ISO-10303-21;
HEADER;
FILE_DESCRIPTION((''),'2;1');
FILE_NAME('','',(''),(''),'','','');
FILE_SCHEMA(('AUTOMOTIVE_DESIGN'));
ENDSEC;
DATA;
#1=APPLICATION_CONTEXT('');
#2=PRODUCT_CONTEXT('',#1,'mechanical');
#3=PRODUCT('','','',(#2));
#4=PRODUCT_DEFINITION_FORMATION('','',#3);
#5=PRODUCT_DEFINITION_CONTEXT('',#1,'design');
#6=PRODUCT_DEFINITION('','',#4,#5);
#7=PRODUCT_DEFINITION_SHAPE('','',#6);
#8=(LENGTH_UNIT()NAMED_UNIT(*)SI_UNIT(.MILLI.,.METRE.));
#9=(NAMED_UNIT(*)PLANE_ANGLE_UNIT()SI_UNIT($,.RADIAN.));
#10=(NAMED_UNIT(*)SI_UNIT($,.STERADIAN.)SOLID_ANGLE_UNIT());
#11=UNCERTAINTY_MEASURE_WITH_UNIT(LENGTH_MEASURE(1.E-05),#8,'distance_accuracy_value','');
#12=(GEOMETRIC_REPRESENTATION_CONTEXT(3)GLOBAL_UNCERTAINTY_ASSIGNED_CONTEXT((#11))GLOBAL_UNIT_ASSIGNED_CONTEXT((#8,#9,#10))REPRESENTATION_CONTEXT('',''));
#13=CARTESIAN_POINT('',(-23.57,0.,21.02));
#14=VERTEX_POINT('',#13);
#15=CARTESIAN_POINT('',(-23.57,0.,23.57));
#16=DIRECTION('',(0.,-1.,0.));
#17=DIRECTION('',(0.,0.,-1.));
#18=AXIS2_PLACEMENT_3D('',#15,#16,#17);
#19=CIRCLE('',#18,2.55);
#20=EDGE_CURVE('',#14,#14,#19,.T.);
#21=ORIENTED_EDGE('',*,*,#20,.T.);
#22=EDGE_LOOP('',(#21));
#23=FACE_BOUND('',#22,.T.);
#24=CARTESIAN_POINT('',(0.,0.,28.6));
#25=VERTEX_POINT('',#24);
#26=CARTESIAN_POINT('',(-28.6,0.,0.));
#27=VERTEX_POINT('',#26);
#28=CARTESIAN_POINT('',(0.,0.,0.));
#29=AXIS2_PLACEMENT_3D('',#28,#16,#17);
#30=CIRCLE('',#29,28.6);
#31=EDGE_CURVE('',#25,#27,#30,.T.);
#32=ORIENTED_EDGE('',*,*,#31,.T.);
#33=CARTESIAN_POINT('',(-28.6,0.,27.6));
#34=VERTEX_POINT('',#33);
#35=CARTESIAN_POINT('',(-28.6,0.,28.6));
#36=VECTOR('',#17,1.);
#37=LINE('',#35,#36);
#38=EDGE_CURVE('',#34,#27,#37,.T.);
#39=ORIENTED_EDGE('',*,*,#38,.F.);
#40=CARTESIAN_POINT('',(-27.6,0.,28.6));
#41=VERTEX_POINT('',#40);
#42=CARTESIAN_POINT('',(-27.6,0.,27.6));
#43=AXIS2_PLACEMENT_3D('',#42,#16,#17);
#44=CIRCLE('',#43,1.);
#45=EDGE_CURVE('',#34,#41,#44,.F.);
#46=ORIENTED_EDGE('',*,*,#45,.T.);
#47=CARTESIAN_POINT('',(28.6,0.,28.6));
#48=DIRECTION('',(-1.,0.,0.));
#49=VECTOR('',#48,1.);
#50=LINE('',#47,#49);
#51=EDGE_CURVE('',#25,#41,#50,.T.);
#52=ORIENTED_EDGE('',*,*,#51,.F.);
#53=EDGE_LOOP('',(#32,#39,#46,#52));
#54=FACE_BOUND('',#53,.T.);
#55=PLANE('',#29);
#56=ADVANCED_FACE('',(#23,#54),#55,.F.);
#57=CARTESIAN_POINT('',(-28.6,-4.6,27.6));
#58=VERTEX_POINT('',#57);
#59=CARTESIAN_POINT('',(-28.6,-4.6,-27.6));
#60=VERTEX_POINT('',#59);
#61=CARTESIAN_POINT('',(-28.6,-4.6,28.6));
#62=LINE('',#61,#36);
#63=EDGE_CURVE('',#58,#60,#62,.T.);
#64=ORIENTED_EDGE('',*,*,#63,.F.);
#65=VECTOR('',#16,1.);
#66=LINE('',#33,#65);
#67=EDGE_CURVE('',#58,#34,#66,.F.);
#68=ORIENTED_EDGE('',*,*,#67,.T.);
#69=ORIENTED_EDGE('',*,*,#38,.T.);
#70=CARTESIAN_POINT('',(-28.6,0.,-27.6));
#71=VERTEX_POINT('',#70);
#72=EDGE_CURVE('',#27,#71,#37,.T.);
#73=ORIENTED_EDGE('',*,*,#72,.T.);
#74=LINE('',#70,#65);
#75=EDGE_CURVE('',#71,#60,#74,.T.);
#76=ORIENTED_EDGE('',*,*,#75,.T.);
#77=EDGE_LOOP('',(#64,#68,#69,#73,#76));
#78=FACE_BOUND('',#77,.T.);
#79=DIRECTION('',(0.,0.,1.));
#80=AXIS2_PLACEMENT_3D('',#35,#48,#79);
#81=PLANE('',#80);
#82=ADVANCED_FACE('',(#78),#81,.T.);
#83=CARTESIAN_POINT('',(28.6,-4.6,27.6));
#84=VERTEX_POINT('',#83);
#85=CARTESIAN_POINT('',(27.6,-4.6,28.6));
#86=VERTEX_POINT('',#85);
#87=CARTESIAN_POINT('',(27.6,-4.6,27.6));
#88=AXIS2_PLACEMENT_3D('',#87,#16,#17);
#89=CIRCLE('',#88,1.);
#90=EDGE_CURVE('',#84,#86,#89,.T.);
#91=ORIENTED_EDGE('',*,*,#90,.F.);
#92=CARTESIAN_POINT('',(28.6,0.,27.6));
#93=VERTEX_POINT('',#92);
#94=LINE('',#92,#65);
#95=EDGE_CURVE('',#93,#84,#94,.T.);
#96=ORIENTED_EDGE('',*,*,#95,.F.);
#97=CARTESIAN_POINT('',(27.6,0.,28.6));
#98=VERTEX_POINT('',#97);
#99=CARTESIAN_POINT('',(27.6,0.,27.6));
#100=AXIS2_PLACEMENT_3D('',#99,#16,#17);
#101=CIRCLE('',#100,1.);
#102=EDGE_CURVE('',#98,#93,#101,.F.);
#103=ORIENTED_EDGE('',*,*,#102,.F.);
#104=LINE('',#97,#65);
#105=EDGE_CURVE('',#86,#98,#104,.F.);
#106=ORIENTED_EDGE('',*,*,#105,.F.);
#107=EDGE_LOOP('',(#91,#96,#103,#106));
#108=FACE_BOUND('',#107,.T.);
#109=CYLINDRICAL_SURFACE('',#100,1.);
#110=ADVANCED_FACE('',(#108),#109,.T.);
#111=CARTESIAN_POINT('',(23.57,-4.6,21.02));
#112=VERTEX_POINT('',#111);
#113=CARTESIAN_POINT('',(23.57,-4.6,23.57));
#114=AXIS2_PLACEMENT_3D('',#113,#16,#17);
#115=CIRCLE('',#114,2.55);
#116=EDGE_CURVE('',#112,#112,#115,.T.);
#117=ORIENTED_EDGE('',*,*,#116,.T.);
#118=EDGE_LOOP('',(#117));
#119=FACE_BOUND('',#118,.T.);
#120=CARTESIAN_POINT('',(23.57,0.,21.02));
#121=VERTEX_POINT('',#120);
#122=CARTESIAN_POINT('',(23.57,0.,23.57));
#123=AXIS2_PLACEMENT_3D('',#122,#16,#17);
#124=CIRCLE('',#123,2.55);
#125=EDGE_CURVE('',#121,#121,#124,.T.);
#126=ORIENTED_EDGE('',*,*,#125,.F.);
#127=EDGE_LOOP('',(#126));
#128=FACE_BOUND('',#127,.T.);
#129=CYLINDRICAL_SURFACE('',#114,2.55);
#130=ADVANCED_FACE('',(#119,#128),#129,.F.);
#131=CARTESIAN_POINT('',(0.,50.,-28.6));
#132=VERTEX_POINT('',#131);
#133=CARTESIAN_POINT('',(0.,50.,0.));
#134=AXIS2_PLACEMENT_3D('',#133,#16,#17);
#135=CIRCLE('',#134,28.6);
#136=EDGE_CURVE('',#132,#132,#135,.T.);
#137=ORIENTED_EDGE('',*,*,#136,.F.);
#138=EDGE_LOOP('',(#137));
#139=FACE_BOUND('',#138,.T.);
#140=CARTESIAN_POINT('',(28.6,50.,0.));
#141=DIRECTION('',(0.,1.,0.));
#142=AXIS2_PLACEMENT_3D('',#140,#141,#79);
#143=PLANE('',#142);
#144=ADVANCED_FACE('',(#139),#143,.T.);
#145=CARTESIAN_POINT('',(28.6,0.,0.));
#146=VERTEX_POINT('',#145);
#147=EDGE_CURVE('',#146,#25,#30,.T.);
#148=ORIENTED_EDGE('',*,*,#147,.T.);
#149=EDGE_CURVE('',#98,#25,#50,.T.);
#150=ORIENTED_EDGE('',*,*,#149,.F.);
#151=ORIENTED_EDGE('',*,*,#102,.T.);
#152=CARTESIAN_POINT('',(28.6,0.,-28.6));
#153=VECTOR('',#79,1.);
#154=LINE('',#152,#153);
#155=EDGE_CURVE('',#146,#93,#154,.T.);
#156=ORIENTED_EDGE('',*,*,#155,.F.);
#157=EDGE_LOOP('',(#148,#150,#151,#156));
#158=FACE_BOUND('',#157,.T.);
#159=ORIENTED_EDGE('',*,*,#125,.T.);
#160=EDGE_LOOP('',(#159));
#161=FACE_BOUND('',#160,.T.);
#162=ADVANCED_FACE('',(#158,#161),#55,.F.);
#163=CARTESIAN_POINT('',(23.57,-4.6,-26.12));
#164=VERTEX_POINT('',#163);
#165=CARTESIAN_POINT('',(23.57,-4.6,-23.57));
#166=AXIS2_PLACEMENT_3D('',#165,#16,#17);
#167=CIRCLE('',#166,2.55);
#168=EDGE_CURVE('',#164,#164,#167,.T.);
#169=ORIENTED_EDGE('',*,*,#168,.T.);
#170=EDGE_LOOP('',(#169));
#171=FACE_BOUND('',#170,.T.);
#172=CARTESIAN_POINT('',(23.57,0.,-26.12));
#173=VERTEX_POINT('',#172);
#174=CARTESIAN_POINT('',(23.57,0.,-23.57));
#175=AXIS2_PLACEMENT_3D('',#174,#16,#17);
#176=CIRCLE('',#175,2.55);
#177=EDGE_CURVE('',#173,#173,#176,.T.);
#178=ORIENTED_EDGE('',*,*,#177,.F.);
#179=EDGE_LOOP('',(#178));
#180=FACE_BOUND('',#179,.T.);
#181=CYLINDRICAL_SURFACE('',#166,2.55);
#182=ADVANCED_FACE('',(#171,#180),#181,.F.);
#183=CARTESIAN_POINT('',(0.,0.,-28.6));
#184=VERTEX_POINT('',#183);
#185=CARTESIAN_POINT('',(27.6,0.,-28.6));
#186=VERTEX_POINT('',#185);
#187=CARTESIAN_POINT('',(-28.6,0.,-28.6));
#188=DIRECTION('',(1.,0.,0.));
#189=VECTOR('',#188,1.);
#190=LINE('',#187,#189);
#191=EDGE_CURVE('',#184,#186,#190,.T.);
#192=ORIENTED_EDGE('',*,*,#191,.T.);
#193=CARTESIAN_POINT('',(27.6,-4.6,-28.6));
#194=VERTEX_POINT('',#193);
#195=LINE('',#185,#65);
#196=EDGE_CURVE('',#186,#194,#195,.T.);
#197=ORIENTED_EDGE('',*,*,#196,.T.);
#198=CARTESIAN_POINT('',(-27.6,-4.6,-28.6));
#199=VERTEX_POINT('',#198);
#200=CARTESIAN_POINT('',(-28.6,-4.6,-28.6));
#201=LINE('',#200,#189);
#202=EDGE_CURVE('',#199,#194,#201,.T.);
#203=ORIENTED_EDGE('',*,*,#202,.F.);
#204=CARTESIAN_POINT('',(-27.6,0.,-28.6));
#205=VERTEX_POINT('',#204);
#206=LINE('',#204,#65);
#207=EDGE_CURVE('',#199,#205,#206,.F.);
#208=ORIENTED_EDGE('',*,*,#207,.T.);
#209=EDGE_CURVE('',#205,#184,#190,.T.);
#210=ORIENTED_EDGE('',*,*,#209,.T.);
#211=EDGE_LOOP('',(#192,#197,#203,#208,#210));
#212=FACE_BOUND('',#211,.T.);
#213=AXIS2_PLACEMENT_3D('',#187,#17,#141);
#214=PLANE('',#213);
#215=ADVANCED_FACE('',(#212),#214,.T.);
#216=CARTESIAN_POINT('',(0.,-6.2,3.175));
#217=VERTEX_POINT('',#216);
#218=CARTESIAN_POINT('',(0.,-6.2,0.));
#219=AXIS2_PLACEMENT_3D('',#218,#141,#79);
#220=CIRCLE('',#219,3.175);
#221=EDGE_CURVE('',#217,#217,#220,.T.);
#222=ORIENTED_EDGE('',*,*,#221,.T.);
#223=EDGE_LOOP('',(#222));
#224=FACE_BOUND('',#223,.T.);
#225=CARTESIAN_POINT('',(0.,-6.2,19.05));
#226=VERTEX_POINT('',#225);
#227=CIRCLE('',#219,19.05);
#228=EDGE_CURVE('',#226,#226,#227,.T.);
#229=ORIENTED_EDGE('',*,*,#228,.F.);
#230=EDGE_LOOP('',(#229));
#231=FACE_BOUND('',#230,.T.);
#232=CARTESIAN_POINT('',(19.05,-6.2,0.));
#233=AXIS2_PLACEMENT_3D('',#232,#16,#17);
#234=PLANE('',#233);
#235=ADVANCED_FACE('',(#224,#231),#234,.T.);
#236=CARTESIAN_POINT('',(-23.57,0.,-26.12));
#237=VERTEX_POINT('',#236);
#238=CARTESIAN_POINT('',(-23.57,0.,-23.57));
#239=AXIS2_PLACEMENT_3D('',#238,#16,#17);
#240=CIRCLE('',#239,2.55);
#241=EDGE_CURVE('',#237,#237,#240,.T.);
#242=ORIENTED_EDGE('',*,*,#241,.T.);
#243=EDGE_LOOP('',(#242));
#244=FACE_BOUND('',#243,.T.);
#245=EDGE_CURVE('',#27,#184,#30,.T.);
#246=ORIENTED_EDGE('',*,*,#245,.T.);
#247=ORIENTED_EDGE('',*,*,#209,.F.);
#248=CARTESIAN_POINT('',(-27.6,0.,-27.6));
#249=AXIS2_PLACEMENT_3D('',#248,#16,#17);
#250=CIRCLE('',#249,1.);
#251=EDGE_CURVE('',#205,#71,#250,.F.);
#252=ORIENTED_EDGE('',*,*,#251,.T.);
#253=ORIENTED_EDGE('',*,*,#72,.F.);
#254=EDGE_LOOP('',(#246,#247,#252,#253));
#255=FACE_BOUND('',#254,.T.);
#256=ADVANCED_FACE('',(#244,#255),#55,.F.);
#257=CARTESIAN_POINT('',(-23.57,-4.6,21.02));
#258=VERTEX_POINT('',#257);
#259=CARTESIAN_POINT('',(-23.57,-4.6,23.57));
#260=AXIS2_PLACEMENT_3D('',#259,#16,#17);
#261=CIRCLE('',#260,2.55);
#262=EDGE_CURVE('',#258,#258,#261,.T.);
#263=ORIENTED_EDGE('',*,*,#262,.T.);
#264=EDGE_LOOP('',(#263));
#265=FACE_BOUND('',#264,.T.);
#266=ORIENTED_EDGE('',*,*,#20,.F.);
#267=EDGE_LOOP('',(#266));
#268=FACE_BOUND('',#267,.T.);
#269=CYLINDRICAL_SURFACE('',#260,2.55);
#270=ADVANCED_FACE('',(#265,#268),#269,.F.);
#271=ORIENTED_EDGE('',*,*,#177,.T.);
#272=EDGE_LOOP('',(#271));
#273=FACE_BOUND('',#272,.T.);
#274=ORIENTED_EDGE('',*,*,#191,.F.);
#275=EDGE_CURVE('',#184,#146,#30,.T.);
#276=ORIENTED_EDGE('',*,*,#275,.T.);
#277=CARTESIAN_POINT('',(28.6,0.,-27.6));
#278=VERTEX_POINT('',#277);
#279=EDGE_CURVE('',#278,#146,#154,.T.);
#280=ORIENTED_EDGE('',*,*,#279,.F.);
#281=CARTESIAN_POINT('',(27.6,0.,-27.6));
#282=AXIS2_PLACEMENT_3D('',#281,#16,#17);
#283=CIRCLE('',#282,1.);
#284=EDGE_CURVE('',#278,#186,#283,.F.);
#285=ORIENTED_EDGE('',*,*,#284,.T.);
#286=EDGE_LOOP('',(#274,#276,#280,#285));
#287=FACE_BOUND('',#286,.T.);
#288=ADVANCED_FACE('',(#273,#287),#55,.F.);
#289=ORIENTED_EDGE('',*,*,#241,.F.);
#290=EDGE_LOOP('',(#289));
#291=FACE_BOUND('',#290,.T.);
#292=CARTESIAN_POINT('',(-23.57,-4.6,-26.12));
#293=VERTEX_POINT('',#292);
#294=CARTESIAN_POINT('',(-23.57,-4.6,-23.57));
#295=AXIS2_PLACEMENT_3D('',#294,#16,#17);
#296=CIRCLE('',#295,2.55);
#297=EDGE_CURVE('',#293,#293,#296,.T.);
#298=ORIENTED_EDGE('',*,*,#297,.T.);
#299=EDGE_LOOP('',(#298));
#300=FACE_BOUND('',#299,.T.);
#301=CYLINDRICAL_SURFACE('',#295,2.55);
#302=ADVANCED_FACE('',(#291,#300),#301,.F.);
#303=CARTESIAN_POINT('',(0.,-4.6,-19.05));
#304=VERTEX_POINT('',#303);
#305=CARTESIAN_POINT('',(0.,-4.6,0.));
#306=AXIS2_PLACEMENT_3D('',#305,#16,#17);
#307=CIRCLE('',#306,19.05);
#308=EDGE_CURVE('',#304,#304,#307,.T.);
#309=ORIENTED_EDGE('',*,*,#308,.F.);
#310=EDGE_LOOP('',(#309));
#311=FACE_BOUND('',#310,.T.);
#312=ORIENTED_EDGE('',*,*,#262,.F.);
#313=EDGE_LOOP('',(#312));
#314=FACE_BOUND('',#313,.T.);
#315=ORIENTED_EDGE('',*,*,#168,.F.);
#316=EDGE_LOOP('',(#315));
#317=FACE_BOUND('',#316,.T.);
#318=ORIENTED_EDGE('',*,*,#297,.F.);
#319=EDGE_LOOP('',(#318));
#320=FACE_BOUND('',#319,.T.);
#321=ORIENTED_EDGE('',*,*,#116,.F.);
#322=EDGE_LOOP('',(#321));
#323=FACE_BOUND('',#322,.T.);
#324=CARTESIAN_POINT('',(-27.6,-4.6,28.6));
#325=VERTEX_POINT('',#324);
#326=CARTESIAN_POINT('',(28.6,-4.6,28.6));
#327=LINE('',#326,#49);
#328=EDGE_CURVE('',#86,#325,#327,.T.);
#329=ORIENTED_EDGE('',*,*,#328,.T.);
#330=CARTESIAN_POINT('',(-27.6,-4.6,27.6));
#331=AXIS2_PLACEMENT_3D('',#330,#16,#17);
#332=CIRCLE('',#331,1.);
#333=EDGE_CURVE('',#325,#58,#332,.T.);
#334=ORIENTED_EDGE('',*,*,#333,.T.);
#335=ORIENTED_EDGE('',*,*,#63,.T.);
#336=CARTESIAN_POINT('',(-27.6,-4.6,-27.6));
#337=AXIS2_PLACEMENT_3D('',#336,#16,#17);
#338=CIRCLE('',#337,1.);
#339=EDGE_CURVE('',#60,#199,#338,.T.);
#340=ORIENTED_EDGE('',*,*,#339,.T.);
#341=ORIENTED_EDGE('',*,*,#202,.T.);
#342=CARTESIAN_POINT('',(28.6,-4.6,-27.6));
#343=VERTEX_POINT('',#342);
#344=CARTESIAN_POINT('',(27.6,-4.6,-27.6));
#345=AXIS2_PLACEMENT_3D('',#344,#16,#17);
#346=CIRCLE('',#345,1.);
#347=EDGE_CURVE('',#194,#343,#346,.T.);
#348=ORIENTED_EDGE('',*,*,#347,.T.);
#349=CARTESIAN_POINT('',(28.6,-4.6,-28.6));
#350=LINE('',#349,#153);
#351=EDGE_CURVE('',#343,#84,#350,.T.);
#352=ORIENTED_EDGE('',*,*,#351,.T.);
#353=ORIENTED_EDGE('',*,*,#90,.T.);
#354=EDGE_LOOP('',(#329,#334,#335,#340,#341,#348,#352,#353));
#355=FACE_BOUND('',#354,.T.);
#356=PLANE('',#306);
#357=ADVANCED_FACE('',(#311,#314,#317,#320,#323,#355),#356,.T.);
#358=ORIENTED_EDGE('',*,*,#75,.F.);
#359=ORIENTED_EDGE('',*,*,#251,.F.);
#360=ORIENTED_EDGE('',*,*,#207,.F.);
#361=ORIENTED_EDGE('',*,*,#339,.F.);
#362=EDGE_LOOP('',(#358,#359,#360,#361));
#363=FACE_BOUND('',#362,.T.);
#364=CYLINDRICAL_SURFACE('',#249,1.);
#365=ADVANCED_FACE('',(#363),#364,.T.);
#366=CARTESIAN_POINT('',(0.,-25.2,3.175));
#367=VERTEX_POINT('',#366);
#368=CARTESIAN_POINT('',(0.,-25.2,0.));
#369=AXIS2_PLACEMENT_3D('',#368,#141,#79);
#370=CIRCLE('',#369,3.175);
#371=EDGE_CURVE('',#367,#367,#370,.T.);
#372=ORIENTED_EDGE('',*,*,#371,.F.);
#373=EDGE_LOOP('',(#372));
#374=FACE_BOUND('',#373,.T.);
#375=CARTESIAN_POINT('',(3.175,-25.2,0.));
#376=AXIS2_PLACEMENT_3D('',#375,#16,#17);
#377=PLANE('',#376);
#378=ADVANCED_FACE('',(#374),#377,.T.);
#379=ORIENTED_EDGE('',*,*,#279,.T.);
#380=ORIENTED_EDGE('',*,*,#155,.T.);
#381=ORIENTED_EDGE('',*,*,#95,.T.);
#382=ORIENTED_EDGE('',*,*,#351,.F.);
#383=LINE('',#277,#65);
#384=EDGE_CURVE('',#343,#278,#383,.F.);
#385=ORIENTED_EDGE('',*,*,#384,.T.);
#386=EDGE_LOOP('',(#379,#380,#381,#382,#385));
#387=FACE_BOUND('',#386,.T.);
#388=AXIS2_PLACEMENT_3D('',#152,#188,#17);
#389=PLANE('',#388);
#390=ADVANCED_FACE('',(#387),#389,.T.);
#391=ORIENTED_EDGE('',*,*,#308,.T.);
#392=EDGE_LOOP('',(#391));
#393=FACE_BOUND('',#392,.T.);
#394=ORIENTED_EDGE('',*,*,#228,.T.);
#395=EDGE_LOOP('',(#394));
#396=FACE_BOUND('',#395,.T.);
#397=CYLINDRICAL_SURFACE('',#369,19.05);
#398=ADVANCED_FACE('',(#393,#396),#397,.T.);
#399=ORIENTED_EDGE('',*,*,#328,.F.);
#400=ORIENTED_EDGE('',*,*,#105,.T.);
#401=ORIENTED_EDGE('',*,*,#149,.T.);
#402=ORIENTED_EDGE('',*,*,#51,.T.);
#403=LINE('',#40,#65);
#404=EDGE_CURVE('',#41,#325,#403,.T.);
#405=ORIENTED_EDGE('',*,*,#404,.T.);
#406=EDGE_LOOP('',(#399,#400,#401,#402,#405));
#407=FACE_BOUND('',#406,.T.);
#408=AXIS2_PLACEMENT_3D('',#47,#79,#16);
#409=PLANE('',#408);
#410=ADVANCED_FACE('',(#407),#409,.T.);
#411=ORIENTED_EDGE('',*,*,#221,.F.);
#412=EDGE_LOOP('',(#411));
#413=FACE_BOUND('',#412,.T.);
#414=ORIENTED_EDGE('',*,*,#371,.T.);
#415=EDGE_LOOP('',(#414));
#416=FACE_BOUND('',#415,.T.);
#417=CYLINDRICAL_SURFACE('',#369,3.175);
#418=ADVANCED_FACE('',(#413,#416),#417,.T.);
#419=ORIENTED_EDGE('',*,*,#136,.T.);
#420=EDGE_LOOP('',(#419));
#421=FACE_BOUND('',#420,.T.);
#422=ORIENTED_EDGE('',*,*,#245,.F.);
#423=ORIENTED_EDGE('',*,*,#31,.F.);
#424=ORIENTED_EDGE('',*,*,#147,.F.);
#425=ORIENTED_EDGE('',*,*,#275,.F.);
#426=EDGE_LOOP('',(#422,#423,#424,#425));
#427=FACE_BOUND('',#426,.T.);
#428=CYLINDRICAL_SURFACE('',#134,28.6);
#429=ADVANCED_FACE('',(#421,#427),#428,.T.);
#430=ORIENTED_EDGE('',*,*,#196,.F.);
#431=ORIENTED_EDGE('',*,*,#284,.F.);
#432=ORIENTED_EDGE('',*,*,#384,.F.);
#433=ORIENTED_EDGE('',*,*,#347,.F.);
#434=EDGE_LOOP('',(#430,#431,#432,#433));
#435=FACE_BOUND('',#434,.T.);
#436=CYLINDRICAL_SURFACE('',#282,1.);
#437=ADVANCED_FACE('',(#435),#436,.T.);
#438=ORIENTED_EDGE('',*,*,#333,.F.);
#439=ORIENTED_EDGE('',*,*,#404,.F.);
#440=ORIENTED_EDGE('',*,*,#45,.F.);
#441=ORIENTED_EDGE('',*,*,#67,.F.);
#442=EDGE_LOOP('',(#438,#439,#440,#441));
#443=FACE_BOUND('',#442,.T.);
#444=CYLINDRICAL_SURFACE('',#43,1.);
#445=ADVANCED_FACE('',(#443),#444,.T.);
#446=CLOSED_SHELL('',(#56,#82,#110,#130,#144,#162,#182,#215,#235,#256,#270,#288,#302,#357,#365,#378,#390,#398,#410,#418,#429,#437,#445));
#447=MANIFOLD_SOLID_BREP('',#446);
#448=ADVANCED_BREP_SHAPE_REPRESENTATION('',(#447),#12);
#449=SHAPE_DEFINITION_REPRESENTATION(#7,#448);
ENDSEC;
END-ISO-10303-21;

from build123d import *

# Parameters (mm, degrees)
SKETCH_1_W                  = 57.2
SKETCH_1_H                  = 57.2
EXTRUDE_1_DEPTH             = 4.6
SKETCH_2_W                  = 28.6
SKETCH_2_H                  = 50
HOLE_WIZARD_5_1_5_1_1_D     = 5.1
HOLE_WIZARD_5_1_5_1_1_DEPTH = 54.6
FILLET_1_R                  = 1


with BuildPart() as part:
    # Эскиз1 → Бобышка-Вытянуть1 (new body)
    with BuildSketch(Plane.XZ.offset(4.6)):
        Rectangle(SKETCH_1_W, SKETCH_1_H)
    extrude(amount=-EXTRUDE_1_DEPTH)

    # Эскиз2 → Повернуть1 (revolve)
    with BuildSketch(Plane.XY, mode=Mode.PRIVATE) as revolve_1_sk:
        with Locations((14.3, 25)):
            Rectangle(SKETCH_2_W, SKETCH_2_H)
    revolve(revolve_1_sk.sketch.rotate(Axis((0, 50, 0), (0, -1, 0)), 270), axis=Axis((0, 50, 0), (0, -1, 0)))

    # Эскиз3 → Повернуть2 (revolve)
    with BuildSketch(Plane(origin=(0, 0, 0), x_dir=(-1, 0, 0), z_dir=(0, 0, -1)), mode=Mode.PRIVATE) as revolve_2_sk:
        Polygon((-3.175, -25.2), (0, -25.2), (0, -4.6), (-19.05, -4.6), (-19.05, -6.2), (-3.175, -6.2), align=None)
    revolve(revolve_2_sk.sketch.rotate(Axis((0, -25.2, 0), (0, 1, 0)), 270), axis=Axis((0, -25.2, 0), (0, 1, 0)))

    # Диаметр отверстия Ø5.1 (5.1)1
    with Locations(Plane(origin=(0, -4.6, 0), x_dir=(-1, 0, 0), z_dir=(0, -1, 0))):
        with Locations((23.57, 23.57), (23.57, -23.57), (-23.57, -23.57), (-23.57, 23.57)):
            Hole(HOLE_WIZARD_5_1_5_1_1_D / 2, depth=HOLE_WIZARD_5_1_5_1_1_DEPTH)

    # Скругление1
    fillet_1_edges = [part.edges().sort_by_distance(p)[0] for p in [
        (28.6, -2.3, 28.6),
        (28.6, -2.3, -28.6),
        (-28.6, -2.3, -28.6),
        (-28.6, -2.3, 28.6),
    ]]
    fillet(fillet_1_edges, radius=FILLET_1_R)


solid = part.part
